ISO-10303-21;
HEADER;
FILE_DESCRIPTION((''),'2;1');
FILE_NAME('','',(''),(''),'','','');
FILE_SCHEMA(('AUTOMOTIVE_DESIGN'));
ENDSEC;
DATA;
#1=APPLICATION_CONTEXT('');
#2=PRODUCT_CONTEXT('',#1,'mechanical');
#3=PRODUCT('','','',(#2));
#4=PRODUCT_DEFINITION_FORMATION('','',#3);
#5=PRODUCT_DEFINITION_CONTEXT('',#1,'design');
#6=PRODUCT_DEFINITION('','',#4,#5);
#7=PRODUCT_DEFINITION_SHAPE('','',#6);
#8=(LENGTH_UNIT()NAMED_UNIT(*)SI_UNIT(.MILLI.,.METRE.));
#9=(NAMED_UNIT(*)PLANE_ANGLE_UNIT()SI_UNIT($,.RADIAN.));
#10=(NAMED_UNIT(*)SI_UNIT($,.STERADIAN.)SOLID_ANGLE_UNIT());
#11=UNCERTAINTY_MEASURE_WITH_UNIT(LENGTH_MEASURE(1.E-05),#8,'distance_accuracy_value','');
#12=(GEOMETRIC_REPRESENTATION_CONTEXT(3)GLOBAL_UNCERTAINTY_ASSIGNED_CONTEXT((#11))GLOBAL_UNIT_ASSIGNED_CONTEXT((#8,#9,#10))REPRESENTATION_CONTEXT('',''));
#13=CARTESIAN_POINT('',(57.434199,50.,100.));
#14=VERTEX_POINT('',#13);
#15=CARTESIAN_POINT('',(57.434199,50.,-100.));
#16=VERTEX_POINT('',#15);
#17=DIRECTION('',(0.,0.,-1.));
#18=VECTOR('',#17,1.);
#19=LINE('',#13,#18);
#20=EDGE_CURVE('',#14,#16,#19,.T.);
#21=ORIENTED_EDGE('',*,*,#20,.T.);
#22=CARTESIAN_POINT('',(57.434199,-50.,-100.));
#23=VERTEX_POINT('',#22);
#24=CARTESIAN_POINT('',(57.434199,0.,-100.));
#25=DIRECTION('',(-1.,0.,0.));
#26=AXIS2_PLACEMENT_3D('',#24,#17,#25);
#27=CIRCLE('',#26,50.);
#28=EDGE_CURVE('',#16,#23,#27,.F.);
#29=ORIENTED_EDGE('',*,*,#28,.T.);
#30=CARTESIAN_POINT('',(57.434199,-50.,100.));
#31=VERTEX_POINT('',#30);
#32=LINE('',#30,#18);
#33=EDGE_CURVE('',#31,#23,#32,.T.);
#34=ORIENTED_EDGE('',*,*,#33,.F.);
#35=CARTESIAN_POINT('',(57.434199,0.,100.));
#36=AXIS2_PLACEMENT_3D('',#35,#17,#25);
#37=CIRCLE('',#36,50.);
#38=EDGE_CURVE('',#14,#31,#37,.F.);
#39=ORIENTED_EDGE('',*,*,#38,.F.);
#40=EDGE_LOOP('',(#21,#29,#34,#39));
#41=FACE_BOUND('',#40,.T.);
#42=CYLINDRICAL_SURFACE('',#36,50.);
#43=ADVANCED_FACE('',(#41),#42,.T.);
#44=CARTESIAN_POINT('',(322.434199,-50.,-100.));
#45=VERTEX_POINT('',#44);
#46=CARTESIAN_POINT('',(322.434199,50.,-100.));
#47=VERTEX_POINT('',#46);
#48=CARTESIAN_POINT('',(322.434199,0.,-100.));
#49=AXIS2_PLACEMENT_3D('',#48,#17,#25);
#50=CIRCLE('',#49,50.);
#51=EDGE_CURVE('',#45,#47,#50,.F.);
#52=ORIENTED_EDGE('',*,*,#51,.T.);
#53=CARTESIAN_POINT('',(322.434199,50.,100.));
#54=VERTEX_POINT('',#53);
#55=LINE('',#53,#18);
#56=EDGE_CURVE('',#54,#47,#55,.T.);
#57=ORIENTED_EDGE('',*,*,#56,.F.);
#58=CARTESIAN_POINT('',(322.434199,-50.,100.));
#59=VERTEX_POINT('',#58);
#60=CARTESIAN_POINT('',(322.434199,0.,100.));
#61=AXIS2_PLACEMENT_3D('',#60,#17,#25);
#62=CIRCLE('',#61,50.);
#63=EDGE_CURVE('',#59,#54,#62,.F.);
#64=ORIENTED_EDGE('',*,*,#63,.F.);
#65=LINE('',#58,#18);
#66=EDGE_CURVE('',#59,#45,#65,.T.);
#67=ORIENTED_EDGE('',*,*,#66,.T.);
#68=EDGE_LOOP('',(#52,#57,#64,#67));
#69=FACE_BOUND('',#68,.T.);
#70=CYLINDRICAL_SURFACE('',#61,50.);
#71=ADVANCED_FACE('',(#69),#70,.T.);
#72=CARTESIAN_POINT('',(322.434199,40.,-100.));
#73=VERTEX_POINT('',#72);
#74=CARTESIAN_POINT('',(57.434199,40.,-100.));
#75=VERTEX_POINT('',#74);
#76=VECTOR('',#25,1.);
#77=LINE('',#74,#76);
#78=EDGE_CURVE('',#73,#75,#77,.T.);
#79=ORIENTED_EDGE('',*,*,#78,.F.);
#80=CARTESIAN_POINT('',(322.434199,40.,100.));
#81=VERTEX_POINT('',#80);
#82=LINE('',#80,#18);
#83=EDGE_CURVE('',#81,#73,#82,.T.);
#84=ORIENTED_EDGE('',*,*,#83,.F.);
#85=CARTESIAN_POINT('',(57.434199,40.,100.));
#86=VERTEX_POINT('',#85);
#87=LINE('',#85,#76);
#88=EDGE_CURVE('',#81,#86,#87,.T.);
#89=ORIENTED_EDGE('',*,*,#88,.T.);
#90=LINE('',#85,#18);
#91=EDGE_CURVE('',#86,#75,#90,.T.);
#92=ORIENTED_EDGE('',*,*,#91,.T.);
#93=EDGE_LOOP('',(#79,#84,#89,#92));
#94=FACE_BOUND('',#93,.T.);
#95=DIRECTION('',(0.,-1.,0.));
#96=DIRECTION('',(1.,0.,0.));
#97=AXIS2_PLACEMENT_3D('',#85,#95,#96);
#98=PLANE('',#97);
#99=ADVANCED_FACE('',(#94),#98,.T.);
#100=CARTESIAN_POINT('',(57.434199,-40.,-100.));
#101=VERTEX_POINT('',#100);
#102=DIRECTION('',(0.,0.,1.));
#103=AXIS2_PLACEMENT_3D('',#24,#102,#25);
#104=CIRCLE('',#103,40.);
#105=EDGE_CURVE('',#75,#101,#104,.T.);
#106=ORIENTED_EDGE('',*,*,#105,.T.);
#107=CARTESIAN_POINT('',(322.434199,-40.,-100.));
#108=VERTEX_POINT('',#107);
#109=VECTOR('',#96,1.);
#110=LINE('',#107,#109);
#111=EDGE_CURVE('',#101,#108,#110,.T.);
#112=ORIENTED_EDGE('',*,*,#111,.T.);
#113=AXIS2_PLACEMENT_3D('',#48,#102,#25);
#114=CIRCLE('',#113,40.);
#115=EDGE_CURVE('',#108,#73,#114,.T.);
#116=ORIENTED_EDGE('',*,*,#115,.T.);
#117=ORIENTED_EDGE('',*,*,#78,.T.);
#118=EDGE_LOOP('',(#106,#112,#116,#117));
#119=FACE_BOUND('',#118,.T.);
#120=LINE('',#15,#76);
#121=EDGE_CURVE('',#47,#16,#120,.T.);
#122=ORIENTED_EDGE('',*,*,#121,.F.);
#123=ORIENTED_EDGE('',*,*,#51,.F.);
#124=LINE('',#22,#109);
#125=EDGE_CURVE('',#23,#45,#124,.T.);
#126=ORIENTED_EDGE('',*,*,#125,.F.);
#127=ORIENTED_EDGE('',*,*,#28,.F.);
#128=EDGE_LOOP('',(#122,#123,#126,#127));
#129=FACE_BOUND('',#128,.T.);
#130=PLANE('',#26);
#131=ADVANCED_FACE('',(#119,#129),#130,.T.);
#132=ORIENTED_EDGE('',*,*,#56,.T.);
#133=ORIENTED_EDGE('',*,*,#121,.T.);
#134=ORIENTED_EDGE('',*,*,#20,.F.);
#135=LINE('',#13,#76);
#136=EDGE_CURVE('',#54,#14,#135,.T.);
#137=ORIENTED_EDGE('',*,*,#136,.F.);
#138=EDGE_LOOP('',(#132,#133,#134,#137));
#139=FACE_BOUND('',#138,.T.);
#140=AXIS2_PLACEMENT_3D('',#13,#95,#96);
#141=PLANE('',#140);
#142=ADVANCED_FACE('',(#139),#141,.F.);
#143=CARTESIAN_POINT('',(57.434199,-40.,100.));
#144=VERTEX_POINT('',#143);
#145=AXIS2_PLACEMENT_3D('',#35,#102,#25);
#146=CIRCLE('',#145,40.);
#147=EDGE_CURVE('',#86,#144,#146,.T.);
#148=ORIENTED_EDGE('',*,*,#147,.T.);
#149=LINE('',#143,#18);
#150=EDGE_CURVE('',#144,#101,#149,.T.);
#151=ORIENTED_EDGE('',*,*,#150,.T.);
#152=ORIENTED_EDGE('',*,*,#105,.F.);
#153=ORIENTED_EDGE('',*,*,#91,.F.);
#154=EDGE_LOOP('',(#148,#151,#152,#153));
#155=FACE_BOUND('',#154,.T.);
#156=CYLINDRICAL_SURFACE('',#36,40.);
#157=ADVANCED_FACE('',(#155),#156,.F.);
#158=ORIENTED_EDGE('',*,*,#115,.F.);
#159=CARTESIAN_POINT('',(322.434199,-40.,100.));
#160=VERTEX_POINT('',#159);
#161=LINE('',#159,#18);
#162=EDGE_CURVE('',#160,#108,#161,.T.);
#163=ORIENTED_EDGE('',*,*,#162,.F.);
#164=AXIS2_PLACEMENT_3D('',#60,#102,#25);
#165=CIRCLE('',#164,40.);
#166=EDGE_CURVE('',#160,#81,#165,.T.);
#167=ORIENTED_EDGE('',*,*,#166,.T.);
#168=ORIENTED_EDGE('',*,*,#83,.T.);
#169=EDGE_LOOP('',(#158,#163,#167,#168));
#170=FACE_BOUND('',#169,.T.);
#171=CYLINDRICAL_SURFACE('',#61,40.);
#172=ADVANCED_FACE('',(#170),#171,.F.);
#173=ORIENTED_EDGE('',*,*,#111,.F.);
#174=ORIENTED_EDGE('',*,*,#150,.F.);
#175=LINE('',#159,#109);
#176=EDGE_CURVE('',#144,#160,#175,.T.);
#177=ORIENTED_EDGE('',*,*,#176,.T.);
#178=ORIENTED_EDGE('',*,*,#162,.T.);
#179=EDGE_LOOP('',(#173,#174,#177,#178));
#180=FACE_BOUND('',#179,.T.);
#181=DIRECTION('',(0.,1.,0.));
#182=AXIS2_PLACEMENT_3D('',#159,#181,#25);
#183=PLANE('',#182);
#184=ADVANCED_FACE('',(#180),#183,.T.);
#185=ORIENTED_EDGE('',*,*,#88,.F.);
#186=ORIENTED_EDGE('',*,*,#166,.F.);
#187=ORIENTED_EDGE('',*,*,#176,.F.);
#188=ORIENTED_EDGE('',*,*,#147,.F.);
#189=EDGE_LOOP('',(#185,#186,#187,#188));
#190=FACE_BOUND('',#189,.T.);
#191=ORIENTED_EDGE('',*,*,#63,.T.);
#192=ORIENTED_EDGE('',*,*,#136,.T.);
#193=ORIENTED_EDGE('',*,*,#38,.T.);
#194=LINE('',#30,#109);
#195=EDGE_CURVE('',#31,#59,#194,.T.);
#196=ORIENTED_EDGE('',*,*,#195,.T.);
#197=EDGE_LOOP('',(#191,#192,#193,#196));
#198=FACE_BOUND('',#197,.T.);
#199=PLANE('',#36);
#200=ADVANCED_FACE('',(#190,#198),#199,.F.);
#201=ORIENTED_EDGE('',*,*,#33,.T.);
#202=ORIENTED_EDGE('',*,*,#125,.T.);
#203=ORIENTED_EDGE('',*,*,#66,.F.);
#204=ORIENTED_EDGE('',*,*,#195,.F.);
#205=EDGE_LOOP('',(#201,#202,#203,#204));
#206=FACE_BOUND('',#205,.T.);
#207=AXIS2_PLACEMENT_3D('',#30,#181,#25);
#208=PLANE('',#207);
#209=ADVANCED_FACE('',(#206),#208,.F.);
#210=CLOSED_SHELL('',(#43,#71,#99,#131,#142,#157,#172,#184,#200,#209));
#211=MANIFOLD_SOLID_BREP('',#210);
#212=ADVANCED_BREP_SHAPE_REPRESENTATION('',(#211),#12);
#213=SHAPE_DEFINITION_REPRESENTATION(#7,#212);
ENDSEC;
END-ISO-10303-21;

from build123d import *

# Parameters (mm, degrees)
EXTRUDE_1_DEPTH = 100


with BuildPart() as part:
    # 草图2 → 拉伸-薄壁1 (new, symmetric)
    with BuildSketch(Plane.XY):
        with BuildLine():
            Line((322.434199132, -50), (57.434199132, -50))
            ThreePointArc((57.434199132, -50), (7.434199132, 0), (57.434199132, 50))
            Line((57.434199132, 50), (322.434199132, 50))
            ThreePointArc((322.434199132, 50), (372.434199132, 0), (322.434199132, -50))
        make_face()
        with BuildLine():
            Line((322.434199132, -40), (57.434199132, -40))
            ThreePointArc((57.434199132, -40), (17.434199132, 0), (57.434199132, 40))
            Line((57.434199132, 40), (322.434199132, 40))
            ThreePointArc((322.434199132, 40), (362.434199132, 0), (322.434199132, -40))
        make_face(mode=Mode.SUBTRACT)
    extrude(amount=EXTRUDE_1_DEPTH, both=True)


solid = part.part
